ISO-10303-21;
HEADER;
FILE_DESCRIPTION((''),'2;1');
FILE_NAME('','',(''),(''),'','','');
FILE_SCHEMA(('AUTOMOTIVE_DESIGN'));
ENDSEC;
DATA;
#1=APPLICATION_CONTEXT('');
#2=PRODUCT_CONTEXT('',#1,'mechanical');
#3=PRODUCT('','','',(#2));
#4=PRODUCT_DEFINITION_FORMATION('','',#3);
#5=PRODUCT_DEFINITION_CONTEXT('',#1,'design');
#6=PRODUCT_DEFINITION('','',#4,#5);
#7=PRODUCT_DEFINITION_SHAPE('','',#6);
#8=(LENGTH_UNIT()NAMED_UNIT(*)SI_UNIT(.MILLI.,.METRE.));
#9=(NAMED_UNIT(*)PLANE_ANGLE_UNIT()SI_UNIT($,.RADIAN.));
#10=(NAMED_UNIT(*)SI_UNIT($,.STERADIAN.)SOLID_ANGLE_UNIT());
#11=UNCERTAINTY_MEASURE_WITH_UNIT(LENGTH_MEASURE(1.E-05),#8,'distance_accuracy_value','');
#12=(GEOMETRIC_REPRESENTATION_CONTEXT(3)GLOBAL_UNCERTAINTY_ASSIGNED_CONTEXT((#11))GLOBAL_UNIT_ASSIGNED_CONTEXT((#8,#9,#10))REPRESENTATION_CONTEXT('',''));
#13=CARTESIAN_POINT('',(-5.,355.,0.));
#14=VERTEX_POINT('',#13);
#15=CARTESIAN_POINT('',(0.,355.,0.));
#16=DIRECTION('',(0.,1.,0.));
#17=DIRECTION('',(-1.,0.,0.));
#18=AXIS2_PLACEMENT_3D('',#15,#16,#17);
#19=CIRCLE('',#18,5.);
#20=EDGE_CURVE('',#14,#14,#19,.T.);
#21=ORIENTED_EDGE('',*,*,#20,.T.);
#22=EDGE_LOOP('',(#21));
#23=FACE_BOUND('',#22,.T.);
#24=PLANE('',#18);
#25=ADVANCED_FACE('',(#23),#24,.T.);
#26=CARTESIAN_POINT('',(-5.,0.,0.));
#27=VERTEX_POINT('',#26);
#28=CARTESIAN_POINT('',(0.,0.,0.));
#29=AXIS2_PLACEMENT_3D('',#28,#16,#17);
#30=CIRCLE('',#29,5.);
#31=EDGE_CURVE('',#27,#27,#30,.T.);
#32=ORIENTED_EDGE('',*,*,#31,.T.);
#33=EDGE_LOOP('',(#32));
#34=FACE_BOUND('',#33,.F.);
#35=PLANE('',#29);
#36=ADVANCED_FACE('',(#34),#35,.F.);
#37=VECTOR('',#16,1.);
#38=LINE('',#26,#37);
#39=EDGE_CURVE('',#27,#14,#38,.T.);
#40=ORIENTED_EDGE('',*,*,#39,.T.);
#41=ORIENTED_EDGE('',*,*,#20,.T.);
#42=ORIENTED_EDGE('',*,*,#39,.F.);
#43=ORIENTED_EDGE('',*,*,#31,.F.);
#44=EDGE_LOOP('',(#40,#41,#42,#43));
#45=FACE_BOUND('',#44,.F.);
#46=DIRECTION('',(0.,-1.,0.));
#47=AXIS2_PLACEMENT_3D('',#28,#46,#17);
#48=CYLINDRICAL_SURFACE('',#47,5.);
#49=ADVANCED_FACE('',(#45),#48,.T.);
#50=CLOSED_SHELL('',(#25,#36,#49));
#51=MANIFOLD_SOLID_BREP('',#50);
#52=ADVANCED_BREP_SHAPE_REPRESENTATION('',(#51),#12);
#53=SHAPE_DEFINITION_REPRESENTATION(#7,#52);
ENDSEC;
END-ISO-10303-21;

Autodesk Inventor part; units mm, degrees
ref_plane "YZ Plane" through (0, 0, 0) normal (1, 0, 0) x (0, 1, 0)
ref_plane "XZ Plane" through (0, 0, 0) normal (0, 1, 0) x (-1, 0, 0)
ref_plane "XY Plane" through (0, 0, 0) normal (0, 0, 1) x (1, 0, 0)
sketch "Sketch1" plane through (0, 0, 0) normal (0, 1, 0) x (-1, 0, 0)
  circle A0 centre (0, 0) radius 5
  dimension "d0" = 10
extrude "Extrusion1" add sketch "Sketch1" along normal blind 355
properties part number "ZAxisShaft" material "Steel, Alloy"
